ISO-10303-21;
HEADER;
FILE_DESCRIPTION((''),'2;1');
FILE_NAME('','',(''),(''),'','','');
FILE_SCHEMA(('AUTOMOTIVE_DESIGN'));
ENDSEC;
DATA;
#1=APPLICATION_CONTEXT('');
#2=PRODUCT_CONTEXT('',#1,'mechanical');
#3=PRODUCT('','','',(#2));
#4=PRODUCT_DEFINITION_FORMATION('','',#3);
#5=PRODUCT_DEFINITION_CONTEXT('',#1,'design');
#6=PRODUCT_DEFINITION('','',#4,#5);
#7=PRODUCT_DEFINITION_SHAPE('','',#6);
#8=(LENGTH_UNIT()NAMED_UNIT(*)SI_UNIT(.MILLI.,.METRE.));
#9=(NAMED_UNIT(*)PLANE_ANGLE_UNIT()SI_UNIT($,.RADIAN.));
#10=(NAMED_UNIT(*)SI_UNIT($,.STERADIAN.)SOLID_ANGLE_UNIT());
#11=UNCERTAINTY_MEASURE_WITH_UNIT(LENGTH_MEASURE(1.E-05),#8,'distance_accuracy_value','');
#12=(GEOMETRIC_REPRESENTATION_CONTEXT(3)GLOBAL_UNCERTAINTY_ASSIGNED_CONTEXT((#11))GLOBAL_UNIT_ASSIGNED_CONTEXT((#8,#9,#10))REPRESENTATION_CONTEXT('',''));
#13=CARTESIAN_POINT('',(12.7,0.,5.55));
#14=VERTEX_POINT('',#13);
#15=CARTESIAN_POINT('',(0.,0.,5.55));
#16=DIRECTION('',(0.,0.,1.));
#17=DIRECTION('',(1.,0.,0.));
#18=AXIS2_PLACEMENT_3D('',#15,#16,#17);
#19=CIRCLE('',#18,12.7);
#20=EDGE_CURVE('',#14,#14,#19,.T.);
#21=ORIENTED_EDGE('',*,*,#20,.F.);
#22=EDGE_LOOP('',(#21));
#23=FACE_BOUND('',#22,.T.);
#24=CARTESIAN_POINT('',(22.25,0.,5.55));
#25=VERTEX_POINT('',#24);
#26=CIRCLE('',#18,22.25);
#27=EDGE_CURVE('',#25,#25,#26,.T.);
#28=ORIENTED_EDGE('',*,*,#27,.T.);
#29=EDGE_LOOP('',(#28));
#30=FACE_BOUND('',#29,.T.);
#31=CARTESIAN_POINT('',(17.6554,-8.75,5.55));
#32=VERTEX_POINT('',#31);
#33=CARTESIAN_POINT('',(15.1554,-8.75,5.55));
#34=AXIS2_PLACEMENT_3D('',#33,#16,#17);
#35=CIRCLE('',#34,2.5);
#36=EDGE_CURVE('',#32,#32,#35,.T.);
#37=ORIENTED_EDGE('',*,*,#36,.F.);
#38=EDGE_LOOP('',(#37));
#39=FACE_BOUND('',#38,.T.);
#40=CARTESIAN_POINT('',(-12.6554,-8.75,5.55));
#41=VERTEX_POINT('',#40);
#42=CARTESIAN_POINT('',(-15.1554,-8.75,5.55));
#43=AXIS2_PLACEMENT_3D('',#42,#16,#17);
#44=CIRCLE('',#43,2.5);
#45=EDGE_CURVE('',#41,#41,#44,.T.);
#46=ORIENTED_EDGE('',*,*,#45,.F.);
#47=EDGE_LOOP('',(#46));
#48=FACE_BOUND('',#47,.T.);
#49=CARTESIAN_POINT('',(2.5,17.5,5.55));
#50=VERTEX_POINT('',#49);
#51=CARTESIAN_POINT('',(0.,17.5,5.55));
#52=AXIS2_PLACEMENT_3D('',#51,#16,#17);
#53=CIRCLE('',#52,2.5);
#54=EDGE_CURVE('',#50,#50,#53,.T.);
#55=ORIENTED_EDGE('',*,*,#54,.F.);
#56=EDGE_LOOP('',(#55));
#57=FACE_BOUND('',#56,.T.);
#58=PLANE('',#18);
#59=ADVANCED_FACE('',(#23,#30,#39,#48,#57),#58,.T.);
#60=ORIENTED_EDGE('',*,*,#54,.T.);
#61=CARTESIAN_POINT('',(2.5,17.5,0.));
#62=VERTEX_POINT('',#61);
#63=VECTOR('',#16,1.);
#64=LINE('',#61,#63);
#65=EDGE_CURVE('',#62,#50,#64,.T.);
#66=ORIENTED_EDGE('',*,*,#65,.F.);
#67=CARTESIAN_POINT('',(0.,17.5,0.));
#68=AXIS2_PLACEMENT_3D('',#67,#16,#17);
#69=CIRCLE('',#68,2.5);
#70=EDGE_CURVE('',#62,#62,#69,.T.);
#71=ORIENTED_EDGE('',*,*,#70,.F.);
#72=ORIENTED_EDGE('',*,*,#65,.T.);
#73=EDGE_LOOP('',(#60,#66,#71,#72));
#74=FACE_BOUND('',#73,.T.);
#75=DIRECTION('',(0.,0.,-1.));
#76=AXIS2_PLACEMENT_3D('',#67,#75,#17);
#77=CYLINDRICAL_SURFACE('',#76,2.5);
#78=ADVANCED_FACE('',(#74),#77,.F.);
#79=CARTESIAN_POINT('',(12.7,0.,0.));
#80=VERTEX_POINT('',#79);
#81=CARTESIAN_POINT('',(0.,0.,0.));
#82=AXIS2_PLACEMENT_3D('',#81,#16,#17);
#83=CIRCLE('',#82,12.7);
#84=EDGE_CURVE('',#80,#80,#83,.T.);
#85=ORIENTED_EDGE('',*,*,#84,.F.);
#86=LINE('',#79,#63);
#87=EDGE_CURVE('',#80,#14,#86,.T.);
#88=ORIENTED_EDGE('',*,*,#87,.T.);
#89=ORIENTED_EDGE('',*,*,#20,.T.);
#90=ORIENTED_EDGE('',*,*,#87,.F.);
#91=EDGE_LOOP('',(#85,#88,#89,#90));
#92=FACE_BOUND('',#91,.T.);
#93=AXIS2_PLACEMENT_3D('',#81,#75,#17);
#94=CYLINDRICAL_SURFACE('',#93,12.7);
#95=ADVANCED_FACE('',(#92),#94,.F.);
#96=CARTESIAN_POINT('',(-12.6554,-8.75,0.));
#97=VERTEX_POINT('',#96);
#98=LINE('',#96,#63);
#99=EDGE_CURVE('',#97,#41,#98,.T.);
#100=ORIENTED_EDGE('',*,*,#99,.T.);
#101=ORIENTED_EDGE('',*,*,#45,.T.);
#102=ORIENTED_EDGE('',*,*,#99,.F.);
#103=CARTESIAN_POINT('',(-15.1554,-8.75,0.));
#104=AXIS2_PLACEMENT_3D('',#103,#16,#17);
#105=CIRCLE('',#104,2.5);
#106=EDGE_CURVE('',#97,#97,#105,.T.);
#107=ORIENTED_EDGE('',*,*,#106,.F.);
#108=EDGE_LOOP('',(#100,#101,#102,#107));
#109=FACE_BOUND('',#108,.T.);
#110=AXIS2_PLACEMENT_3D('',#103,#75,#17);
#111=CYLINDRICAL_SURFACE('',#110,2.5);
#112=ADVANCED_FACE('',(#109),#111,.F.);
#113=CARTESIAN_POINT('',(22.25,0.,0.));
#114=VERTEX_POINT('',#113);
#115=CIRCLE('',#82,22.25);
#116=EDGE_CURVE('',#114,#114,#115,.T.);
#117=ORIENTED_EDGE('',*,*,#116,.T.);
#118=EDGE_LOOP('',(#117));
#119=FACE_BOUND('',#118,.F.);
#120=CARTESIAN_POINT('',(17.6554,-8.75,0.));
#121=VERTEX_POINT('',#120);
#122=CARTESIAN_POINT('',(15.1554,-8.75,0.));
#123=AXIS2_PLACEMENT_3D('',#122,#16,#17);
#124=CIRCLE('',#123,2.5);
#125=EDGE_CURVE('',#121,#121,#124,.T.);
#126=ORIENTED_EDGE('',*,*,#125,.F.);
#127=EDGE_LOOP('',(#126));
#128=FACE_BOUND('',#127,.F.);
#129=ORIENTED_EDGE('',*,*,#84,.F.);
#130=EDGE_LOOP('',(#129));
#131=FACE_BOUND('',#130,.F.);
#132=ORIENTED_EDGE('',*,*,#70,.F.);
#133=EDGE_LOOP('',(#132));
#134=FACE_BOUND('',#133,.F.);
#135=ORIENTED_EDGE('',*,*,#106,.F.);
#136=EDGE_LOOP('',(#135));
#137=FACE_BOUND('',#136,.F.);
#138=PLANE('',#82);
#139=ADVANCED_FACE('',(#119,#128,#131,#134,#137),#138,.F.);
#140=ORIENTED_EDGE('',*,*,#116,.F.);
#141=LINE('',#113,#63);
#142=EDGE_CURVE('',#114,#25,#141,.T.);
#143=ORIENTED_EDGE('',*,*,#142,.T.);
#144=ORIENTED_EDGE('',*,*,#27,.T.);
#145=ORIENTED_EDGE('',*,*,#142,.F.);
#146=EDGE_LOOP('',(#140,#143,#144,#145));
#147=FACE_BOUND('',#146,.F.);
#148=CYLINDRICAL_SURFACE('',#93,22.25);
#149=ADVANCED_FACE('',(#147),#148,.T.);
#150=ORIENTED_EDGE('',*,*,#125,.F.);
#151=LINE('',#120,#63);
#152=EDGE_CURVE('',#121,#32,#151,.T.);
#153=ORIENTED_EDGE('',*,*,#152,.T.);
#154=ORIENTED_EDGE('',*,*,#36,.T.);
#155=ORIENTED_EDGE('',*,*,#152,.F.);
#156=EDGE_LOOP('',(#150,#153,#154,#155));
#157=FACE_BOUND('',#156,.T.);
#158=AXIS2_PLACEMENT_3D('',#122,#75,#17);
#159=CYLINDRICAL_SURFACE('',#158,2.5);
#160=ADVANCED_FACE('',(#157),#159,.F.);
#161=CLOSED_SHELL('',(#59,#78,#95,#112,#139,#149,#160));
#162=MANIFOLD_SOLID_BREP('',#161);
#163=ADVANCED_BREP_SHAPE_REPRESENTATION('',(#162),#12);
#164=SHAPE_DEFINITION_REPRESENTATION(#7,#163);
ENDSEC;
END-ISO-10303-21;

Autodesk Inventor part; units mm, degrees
ref_plane "YZ Plane" through (0, 0, 0) normal (1, 0, 0) x (0, 1, 0)
ref_plane "XZ Plane" through (0, 0, 0) normal (0, 1, 0) x (-1, 0, 0)
ref_plane "XY Plane" through (0, 0, 0) normal (0, 0, 1) x (1, 0, 0)
sketch "Sketch1" plane through (0, 0, 0) normal (0, 0, 1) x (1, 0, 0)
  circle A0 centre (0, 0) radius 12.7
  circle A1 centre (0, 0) radius 22.25
  circle A2 centre (0, 17.5) radius 2.5
  circle A3 centre (-15.1554, -8.75) radius 2.5
  circle A4 centre (15.1554, -8.75) radius 2.5
  dimension "d0" = 25.4
  dimension "d1" = 44.5
  dimension "d2" = 5
  dimension "d3" = 17.5
  dimension "d6" = 360
extrude "Extrusion1" add sketch "Sketch1" along normal blind 5.55
properties part number "TA06" material "ABS Plastic"
